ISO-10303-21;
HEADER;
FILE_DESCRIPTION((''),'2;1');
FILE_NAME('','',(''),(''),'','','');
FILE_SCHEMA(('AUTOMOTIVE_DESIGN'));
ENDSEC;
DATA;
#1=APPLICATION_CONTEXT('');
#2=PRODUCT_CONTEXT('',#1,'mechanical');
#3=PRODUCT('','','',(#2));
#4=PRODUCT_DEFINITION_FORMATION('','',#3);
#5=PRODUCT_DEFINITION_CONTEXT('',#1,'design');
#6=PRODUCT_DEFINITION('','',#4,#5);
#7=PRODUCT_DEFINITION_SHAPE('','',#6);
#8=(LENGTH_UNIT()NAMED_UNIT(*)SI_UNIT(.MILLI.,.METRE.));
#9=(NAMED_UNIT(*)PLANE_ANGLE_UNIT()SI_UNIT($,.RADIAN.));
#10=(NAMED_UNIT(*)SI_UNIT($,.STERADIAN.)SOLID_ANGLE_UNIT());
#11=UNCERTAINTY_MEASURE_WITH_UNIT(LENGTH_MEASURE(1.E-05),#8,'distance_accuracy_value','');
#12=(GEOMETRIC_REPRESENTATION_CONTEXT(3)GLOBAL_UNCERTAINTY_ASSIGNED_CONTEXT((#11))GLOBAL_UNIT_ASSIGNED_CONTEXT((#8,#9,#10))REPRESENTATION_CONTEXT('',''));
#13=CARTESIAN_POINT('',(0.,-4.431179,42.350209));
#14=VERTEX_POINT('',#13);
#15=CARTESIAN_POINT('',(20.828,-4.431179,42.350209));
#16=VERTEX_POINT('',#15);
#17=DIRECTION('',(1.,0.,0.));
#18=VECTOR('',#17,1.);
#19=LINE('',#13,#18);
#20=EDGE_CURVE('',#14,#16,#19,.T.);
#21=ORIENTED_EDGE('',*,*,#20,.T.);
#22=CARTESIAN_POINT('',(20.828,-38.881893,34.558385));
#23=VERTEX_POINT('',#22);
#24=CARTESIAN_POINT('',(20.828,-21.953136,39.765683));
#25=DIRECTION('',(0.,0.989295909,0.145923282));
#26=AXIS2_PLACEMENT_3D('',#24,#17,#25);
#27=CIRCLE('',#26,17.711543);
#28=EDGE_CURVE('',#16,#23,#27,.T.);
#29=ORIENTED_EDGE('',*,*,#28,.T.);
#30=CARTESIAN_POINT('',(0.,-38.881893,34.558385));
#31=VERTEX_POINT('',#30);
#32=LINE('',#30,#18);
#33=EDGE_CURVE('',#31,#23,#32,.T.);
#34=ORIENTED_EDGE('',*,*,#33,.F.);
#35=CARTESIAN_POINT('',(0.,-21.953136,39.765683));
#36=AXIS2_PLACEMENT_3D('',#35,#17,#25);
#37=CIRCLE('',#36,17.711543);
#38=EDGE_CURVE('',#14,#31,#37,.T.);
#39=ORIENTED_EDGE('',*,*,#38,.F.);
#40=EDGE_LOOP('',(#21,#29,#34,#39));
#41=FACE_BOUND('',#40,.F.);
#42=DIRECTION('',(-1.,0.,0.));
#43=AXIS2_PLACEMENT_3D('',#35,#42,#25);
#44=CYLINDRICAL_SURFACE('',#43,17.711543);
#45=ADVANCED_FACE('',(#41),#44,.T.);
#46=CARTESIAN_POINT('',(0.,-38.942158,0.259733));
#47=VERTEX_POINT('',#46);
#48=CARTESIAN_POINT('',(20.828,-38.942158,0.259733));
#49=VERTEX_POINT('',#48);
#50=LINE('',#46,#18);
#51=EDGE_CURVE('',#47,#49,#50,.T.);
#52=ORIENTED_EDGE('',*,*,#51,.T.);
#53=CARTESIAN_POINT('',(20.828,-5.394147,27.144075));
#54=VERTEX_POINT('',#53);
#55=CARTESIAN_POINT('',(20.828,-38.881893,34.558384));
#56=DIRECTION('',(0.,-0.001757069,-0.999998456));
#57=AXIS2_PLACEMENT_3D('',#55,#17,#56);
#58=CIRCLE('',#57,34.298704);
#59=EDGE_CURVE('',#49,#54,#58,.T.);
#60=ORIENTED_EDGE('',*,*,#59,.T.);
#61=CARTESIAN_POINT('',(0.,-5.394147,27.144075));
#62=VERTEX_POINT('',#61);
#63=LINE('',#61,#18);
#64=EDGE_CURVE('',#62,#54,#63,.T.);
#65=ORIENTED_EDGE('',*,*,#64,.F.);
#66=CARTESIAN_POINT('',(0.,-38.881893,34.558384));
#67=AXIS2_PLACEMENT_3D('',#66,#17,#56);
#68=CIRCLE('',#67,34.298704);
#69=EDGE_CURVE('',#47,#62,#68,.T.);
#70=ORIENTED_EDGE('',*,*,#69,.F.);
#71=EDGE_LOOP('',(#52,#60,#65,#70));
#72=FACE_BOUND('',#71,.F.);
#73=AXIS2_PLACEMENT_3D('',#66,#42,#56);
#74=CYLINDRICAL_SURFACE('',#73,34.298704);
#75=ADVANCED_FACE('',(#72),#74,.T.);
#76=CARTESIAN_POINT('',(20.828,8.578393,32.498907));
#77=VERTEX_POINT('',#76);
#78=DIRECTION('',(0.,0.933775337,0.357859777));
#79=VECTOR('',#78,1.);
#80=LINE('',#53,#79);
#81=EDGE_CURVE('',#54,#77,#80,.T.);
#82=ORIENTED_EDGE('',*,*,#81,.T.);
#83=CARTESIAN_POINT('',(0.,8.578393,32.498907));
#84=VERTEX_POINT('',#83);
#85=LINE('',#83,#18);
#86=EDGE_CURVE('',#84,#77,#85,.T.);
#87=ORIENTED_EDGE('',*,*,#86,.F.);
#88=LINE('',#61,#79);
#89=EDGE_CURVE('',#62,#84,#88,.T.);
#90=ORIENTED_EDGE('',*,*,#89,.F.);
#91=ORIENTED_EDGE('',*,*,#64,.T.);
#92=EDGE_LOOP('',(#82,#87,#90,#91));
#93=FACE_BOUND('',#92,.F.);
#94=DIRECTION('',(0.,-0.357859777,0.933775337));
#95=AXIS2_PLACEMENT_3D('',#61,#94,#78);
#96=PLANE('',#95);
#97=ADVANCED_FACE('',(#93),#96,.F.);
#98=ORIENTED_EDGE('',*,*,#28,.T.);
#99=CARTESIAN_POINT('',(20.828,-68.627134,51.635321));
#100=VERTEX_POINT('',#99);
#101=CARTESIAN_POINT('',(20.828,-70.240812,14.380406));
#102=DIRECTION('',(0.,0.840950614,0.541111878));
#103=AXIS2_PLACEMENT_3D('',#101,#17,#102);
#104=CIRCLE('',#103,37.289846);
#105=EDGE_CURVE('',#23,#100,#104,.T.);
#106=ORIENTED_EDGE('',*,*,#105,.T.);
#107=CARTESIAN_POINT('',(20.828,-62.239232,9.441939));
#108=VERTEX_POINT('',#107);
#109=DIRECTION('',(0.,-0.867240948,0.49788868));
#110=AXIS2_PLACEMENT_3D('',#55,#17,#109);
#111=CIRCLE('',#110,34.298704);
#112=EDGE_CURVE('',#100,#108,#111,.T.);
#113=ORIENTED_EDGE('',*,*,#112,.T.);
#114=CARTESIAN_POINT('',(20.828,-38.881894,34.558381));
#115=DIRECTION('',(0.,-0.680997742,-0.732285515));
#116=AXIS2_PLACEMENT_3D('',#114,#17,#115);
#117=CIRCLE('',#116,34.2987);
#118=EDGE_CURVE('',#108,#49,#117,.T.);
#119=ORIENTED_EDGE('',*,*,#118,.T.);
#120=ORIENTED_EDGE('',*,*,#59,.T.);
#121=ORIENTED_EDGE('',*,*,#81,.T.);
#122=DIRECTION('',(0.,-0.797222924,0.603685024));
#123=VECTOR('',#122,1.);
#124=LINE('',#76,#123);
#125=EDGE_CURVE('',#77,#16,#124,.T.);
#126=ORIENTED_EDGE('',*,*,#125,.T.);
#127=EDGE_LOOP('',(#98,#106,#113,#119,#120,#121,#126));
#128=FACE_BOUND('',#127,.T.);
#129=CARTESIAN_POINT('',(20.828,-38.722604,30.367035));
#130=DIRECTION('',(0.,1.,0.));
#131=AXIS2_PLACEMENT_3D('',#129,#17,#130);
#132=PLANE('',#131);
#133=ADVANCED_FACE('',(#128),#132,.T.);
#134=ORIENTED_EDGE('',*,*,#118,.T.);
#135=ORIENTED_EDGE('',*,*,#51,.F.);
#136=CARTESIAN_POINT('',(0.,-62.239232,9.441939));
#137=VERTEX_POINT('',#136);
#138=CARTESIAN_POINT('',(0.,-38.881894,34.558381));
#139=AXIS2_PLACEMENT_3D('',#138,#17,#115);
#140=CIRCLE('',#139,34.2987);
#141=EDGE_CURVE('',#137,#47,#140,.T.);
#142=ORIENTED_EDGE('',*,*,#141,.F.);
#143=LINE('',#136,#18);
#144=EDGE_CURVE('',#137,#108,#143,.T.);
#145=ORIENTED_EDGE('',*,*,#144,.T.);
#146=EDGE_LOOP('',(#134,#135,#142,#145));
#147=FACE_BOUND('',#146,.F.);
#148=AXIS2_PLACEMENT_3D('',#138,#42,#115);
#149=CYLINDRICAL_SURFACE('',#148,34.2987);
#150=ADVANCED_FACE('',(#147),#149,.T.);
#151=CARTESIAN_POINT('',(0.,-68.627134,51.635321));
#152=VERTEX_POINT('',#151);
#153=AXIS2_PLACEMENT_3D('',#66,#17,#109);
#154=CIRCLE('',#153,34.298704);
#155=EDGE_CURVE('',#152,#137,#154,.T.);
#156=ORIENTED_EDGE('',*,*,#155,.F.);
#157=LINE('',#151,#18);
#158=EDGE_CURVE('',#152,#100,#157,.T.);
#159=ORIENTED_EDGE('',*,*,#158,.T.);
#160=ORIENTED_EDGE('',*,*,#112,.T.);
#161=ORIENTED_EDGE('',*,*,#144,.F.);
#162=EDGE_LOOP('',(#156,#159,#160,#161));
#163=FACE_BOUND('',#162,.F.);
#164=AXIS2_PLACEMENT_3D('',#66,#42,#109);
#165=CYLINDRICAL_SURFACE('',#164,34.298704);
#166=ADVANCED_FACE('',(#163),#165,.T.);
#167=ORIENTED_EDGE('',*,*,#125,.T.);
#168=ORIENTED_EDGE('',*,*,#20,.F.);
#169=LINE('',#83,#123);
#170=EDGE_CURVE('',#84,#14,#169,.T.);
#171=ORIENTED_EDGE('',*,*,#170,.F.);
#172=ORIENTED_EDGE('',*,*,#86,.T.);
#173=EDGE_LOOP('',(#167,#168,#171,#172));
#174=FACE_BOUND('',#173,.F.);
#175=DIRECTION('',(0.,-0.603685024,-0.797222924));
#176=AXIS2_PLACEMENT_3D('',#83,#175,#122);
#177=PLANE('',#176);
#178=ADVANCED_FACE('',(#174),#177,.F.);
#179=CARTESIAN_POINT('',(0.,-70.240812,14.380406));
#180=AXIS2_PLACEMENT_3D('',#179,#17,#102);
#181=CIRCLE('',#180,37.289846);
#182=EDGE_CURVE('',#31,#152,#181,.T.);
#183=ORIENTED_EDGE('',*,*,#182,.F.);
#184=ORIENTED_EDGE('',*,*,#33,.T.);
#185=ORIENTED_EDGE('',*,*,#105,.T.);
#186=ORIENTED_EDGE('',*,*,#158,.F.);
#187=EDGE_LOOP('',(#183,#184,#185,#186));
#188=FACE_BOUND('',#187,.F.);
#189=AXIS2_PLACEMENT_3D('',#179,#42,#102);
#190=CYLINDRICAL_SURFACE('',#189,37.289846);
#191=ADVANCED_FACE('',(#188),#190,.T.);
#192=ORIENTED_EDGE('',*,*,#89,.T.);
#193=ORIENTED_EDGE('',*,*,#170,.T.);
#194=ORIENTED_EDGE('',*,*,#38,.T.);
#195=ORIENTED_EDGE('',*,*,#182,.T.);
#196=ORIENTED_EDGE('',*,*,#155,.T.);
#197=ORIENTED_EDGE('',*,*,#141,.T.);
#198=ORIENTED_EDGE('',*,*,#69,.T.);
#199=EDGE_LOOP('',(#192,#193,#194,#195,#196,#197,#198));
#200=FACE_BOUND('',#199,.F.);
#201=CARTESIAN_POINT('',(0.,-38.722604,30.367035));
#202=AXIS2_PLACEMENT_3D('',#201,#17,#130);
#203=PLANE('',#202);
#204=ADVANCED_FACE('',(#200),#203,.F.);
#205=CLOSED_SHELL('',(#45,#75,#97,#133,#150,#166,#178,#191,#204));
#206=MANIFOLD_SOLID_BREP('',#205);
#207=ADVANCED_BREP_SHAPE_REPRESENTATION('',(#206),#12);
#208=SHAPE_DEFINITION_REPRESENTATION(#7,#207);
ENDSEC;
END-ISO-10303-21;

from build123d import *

# Parameters (mm, degrees)
F1_DEPTH = 20.828


with BuildPart() as f1:
    # F0 (on Right) → F1 (new body)
    with BuildSketch(Plane.YZ):
        with BuildLine():
            ThreePointArc((-38.881893, 34.558385), (-51.67462, 46.719688), (-68.627134, 51.635321))
            ThreePointArc((-68.627134, 51.635321), (-72.794153, 29.42421), (-62.239232, 9.441939))
            ThreePointArc((-62.239232, 9.441939), (-51.458628, 2.648717), (-38.942158, 0.259733))
            ThreePointArc((-38.942158, 0.259733), (-17.433325, 7.793481), (-5.394147, 27.144075))
            ThreePointArc((-5.394147, 27.144075), (-4.710099, 31.61057), (-4.619133, 36.128227))
            ThreePointArc((-4.619133, 36.128227), (-4.249669, 39.230896), (-4.431179, 42.350209))
            ThreePointArc((-4.431179, 42.350209), (-25.860322, 57.040886), (-38.881893, 34.558385))
        make_face()
        with BuildLine():
            Line((8.578393, 32.498907), (-4.431179, 42.350209))
            ThreePointArc((-4.431179, 42.350209), (-4.249669, 39.230896), (-4.619133, 36.128227))
            ThreePointArc((-4.619133, 36.128227), (-4.710099, 31.61057), (-5.394147, 27.144075))
            Line((-5.394147, 27.144075), (8.578393, 32.498907))
        make_face()
    extrude(amount=F1_DEPTH)


solid = f1.part
